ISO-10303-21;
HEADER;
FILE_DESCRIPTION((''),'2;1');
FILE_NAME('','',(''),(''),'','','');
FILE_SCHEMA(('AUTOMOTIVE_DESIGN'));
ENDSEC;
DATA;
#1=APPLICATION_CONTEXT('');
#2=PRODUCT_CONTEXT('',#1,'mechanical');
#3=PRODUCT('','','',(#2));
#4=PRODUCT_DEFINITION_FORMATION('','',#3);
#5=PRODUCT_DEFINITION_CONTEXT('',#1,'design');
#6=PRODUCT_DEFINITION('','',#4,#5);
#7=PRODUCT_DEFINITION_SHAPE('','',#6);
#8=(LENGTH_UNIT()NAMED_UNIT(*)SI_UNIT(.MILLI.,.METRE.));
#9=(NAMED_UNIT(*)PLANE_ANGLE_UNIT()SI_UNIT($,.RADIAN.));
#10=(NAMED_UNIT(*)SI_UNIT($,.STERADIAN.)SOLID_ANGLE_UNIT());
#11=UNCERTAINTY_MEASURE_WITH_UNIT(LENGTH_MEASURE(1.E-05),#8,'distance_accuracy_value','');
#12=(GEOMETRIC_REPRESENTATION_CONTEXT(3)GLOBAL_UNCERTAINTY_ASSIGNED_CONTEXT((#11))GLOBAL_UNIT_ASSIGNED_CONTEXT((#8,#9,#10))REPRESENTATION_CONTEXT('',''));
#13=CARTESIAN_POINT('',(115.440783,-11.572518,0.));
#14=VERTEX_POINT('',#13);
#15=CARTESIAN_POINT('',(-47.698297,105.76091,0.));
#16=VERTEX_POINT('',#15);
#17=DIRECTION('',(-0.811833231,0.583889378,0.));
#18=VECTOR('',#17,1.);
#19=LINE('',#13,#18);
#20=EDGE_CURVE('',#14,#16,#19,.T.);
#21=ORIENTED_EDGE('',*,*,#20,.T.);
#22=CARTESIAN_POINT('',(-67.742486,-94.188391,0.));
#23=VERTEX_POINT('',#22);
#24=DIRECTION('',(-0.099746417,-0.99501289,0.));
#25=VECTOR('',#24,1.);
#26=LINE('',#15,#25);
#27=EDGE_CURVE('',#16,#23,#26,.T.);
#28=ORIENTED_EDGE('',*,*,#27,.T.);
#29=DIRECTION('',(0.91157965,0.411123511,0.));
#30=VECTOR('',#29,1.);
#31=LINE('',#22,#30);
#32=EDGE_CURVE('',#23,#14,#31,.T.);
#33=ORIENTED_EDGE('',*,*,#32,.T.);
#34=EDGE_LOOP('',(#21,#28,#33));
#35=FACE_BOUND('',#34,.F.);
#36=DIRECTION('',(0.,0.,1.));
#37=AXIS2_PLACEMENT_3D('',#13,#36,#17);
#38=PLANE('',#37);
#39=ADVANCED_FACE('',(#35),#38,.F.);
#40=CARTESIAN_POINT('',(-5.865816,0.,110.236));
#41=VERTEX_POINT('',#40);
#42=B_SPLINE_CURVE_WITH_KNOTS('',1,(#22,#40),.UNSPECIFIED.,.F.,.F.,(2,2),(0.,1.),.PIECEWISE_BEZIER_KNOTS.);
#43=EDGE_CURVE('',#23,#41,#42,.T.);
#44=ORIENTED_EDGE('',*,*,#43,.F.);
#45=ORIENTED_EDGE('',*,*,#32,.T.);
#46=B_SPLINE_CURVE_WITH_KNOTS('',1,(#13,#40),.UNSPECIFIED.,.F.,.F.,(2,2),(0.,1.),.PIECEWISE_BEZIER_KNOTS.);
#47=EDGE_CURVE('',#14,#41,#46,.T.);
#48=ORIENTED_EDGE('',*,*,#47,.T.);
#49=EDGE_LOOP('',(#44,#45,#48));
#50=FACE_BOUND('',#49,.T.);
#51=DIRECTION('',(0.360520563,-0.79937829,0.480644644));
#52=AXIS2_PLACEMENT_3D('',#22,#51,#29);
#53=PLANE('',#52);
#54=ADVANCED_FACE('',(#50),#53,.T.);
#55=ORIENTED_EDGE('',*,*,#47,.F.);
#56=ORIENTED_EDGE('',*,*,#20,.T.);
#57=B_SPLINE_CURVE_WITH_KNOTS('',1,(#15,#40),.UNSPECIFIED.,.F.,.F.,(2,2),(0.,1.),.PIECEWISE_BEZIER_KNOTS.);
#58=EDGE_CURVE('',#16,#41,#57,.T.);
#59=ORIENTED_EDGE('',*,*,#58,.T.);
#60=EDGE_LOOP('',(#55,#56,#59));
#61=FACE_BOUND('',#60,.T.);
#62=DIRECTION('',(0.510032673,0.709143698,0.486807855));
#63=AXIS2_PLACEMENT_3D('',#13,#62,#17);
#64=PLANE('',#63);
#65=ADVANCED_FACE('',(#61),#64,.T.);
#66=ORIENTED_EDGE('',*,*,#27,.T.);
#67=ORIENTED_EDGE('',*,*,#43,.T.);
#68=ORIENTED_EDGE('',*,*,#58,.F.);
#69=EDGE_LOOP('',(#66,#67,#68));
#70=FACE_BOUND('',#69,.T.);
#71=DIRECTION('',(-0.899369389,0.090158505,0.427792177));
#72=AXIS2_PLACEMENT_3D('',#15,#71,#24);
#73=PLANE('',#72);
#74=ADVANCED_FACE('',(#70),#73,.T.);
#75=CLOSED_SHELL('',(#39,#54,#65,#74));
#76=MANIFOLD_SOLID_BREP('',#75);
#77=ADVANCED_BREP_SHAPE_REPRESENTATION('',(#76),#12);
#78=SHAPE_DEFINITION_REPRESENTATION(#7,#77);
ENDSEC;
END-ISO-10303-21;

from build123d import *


with BuildPart() as f3:
    # F0 (on Top) → F3 section 0
    with BuildSketch(Plane.XY, mode=Mode.PRIVATE) as f3_s0:
        Polygon((115.440783, -11.572518), (-47.698297, 105.76091), (-67.742486, -94.188391), align=None)
    loft([f3_s0.sketch, Vertex(-5.865816, 0, 110.236)])


solid = f3.part
